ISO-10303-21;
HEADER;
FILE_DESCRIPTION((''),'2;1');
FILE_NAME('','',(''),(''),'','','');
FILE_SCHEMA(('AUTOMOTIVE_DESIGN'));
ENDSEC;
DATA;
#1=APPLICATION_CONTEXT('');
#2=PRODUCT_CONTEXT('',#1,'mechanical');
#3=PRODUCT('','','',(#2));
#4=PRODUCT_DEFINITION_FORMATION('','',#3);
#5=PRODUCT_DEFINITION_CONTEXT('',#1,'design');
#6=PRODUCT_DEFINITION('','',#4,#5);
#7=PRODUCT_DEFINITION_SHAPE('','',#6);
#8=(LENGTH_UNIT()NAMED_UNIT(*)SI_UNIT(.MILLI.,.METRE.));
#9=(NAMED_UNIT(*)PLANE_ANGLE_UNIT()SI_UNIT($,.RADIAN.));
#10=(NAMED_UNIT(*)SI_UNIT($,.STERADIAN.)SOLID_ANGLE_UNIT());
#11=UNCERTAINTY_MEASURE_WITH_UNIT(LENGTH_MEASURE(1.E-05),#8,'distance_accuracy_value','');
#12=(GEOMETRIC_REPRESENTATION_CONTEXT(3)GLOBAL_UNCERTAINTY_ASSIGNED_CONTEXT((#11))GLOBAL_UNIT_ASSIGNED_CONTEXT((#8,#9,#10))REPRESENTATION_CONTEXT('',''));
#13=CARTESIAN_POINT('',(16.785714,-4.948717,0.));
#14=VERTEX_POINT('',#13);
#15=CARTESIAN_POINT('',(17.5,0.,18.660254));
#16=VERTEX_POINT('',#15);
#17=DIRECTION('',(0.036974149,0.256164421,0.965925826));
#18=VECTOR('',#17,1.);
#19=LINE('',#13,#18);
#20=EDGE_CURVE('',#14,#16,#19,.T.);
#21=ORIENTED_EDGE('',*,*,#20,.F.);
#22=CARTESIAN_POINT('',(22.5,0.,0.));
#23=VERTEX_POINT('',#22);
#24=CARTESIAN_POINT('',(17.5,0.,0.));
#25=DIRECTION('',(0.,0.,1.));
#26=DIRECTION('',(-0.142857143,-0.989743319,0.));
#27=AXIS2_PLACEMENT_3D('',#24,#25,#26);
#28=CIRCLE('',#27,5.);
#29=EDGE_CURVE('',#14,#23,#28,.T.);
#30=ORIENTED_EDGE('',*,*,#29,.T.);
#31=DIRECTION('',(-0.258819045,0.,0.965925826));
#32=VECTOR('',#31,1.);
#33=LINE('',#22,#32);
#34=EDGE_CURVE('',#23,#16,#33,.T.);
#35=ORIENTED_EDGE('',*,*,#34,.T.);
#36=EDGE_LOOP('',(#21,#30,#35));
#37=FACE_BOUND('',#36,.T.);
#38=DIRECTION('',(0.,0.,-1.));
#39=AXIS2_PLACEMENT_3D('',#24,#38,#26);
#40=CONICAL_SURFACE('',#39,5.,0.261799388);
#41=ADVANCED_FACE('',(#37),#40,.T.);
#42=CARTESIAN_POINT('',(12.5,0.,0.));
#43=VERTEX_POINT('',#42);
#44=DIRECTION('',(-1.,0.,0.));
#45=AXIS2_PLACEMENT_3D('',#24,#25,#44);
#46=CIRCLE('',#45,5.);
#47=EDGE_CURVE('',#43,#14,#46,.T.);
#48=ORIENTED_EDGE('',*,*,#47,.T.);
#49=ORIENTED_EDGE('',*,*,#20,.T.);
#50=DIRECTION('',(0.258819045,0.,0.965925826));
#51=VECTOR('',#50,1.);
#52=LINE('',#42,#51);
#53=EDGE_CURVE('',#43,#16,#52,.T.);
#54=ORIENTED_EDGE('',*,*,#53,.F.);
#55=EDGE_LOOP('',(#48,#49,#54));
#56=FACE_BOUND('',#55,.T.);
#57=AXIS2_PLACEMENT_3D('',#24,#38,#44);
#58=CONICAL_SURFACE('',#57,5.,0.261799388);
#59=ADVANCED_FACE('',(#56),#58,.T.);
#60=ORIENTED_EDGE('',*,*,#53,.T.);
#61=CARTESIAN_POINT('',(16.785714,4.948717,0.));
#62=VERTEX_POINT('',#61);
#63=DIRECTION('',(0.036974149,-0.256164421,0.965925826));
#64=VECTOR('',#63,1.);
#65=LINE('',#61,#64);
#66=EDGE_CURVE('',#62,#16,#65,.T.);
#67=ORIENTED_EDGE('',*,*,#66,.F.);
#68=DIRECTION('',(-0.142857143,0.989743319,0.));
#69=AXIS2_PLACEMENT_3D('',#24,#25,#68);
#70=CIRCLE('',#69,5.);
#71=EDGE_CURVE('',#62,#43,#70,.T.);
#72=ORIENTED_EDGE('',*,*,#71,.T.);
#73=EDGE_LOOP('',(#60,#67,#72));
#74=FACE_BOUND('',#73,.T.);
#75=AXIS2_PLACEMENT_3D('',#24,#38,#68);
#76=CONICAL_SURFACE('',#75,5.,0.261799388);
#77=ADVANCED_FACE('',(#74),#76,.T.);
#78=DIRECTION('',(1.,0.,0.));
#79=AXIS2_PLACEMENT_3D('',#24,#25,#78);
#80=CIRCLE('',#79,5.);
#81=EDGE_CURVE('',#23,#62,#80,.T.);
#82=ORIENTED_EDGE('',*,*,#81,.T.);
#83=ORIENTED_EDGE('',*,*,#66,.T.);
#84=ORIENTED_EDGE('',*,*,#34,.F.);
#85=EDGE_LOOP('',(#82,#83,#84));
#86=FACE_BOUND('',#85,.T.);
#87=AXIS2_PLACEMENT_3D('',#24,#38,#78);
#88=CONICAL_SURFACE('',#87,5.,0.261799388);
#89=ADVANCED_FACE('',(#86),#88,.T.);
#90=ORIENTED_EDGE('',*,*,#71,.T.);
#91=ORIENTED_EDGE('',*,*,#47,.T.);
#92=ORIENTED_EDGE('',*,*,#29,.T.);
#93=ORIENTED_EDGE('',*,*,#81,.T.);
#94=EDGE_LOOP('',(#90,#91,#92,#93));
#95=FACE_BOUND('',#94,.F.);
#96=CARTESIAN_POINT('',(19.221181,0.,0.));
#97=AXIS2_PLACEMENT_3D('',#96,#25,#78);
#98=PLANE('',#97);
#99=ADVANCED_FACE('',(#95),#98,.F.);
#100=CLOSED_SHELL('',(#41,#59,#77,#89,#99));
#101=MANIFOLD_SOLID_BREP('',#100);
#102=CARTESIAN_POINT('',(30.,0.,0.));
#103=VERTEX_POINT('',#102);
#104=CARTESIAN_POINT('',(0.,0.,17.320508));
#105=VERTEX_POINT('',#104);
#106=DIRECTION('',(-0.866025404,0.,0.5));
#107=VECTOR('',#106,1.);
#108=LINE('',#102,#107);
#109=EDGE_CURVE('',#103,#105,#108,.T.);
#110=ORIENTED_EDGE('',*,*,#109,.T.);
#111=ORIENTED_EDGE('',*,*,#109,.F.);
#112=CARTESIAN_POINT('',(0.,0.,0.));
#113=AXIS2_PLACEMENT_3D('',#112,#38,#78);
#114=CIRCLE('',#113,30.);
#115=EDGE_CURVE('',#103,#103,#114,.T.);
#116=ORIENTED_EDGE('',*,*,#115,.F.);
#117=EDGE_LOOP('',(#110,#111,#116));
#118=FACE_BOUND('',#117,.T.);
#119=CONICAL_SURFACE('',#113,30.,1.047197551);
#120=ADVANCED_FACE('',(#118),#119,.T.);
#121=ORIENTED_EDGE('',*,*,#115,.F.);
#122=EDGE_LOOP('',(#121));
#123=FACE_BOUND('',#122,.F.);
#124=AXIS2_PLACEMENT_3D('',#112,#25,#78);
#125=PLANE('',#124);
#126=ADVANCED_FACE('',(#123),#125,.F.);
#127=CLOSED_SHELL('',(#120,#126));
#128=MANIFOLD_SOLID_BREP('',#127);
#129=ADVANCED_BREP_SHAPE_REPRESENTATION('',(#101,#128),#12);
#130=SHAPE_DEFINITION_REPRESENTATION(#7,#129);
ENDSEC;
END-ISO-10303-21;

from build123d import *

# Parameters (mm, degrees)
F0_R     = 30
F1_DEPTH = 30
F1_TAPER = 60
F3_DEPTH = 25
F3_TAPER = 15


with BuildPart() as f1:
    # F0 (on Top) → F1 (new body)
    with BuildSketch(Plane.XY):
        Circle(F0_R)
    extrude(amount=F1_DEPTH, taper=F1_TAPER)


with BuildPart() as f3:
    # F2 (on Top) → F3 (new body)
    with BuildSketch(Plane.XY):
        with BuildLine():
            ThreePointArc((16.7857142857, 4.9487165931), (17.1974513187, 3.2400105154), (17.4357142857, 1.4986218158))
            ThreePointArc((17.4357142857, 1.4986218158), (18.5376828582, 1.0831501677), (19, 0))
            ThreePointArc((19, 0), (18.5376828582, -1.0831501677), (17.4357142857, -1.4986218158))
            ThreePointArc((17.4357142857, -1.4986218158), (17.1974513187, -3.2400105154), (16.7857142857, -4.9487165931))
            ThreePointArc((16.7857142857, -4.9487165931), (20.7732683535, -3.7796447301), (22.5, 0))
            ThreePointArc((22.5, 0), (20.7732683535, 3.7796447301), (16.7857142857, 4.9487165931))
        make_face()
        with BuildLine():
            ThreePointArc((16, 0), (16.4168498323, 1.0376828582), (17.4357142857, 1.4986218158))
            ThreePointArc((17.4357142857, 1.4986218158), (17.1974513187, 3.2400105154), (16.7857142857, 4.9487165931))
            ThreePointArc((16.7857142857, 4.9487165931), (13.7203552699, 3.2732683535), (12.5, 0))
            Line((12.5, 0), (16, 0))
        make_face()
        with BuildLine():
            ThreePointArc((17.4357142857, 1.4986218158), (17.4839211849, 0.75), (17.5, 0))
            Line((17.5, 0), (19, 0))
            ThreePointArc((19, 0), (18.5376828582, 1.0831501677), (17.4357142857, 1.4986218158))
        make_face()
        with BuildLine():
            Line((16, 0), (17.5, 0))
            ThreePointArc((17.5, 0), (17.4839211849, 0.75), (17.4357142857, 1.4986218158))
            ThreePointArc((17.4357142857, 1.4986218158), (16.4168498323, 1.0376828582), (16, 0))
        make_face()
        with BuildLine():
            Line((19, 0), (17.5, 0))
            ThreePointArc((17.5, 0), (17.4839211849, -0.75), (17.4357142857, -1.4986218158))
            ThreePointArc((17.4357142857, -1.4986218158), (18.5376828582, -1.0831501677), (19, 0))
        make_face()
        with BuildLine():
            ThreePointArc((17.4357142857, -1.4986218158), (17.4839211849, -0.75), (17.5, 0))
            Line((17.5, 0), (16, 0))
            ThreePointArc((16, 0), (16.4168498323, -1.0376828582), (17.4357142857, -1.4986218158))
        make_face()
        with BuildLine():
            ThreePointArc((16.7857142857, -4.9487165931), (17.1974513187, -3.2400105154), (17.4357142857, -1.4986218158))
            ThreePointArc((17.4357142857, -1.4986218158), (16.4168498323, -1.0376828582), (16, 0))
            Line((16, 0), (12.5, 0))
            ThreePointArc((12.5, 0), (13.7203552699, -3.2732683535), (16.7857142857, -4.9487165931))
        make_face()
    extrude(amount=F3_DEPTH, taper=F3_TAPER)


solid = Compound([f1.part, f3.part])
